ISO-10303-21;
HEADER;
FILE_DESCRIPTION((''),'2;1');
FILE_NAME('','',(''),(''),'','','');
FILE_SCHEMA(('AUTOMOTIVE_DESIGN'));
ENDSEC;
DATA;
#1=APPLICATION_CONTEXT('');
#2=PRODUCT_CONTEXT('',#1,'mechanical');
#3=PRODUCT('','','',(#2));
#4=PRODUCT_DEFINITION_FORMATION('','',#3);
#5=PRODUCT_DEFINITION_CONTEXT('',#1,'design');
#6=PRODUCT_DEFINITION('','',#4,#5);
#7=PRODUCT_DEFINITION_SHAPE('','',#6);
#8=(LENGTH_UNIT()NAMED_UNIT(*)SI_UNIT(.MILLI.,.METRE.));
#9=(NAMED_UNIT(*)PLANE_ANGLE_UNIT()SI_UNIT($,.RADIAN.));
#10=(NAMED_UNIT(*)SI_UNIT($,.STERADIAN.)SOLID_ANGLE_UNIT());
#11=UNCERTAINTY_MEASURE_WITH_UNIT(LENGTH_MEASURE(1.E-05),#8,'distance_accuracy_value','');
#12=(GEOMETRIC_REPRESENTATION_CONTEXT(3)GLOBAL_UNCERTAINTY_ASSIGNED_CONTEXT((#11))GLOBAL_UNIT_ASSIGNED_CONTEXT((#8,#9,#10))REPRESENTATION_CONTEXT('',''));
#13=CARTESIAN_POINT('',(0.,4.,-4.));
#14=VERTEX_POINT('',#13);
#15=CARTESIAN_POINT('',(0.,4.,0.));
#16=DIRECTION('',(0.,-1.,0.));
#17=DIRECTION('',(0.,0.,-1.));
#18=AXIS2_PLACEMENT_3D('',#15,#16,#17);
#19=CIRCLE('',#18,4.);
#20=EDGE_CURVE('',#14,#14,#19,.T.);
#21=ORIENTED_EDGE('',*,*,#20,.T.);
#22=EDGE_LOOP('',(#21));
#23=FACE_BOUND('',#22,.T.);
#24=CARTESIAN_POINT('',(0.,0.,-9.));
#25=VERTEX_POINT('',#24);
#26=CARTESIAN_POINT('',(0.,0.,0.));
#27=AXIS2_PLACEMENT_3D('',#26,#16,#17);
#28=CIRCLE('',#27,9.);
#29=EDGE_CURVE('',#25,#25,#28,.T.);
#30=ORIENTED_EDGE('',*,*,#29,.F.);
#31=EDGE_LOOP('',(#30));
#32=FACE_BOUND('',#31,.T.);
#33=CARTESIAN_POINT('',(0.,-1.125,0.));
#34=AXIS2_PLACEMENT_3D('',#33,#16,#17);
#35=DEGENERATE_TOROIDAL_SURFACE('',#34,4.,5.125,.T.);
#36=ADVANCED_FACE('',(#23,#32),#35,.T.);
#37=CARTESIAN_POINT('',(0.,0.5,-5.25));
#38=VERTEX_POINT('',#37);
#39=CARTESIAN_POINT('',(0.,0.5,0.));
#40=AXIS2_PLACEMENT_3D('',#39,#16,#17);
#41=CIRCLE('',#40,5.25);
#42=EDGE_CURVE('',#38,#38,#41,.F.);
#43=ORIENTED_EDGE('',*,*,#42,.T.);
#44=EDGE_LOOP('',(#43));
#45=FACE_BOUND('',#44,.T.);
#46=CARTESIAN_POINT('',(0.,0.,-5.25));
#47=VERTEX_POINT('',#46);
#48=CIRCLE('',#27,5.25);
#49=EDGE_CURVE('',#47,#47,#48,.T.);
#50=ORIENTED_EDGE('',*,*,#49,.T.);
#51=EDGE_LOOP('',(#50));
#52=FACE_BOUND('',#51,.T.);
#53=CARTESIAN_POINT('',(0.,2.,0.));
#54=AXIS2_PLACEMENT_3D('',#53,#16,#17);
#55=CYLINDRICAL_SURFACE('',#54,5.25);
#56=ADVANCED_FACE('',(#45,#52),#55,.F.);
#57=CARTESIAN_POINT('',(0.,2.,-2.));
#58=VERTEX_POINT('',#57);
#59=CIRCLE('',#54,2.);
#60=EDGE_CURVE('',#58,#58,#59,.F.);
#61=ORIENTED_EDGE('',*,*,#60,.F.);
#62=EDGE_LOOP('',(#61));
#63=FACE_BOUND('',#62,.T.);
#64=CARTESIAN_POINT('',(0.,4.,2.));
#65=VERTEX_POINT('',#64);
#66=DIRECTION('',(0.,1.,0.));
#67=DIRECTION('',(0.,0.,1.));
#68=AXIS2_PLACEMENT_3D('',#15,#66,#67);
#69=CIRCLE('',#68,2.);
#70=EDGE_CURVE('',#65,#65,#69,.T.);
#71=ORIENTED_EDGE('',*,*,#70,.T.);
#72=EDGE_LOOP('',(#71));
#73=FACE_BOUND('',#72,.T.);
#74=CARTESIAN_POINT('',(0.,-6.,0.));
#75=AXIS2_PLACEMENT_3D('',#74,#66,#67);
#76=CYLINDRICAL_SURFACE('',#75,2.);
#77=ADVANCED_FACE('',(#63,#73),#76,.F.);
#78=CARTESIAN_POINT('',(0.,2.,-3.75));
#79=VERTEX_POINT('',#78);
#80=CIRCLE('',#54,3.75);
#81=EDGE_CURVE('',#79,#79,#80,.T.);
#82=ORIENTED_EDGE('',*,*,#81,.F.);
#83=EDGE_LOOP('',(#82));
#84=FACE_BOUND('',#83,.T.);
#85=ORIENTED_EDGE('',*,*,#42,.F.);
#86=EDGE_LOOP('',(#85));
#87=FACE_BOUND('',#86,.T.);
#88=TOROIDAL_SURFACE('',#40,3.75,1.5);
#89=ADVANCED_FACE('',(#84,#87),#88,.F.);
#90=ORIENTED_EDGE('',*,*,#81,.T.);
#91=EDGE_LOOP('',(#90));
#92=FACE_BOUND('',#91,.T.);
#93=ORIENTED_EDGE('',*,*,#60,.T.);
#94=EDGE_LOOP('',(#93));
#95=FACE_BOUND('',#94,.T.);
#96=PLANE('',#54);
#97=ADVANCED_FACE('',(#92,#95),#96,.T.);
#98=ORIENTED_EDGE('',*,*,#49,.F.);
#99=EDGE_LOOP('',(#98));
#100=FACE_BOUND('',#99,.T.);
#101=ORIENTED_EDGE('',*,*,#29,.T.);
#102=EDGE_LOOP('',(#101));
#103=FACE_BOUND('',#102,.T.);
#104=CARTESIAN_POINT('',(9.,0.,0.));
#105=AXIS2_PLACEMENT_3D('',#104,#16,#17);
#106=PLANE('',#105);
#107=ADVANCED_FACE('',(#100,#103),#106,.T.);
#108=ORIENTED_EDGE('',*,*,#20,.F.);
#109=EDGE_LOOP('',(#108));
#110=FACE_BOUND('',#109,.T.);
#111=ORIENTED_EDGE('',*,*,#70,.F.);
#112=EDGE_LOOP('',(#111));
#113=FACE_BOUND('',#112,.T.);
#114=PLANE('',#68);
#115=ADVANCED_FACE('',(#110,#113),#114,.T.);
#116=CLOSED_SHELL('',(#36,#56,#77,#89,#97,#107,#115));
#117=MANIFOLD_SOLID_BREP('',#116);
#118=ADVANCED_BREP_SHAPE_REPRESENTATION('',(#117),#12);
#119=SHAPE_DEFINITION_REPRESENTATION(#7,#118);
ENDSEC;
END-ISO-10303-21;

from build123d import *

# Parameters (mm, degrees)
ESBO_O2_R             = 2
CORTE_EXTRUS_O1_DEPTH = 10
ESBO_O3_R             = 5.25
CORTE_EXTRUS_O2_DEPTH = 2
FILETE1_R             = 1.5


with BuildPart() as part:
    # Esboço1 → Revolução1 (revolve)
    with BuildSketch(Plane.XY, mode=Mode.PRIVATE) as revolu_o1_sk:
        with BuildLine():
            Line((0, 0), (0, 4))
            Line((0, 4), (4, 4))
            ThreePointArc((4, 4), (7.201562119, 2.876952648), (9, 0))
            Line((9, 0), (0, 0))
        make_face()
    revolve(revolu_o1_sk.sketch.rotate(Axis((0, 0, 0), (0, 1, 0)), 90), axis=Axis((0, 0, 0), (0, 1, 0)))

    # Esboço2 → Corte-extrusão1 (cut)
    with BuildSketch(Plane(origin=(0, 4, 0), x_dir=(1, 0, 0), z_dir=(0, 1, 0))):
        with Locations(Location((0, 0, 0), (0, 0, 270))):
            Circle(ESBO_O2_R)
    extrude(amount=-CORTE_EXTRUS_O1_DEPTH, mode=Mode.SUBTRACT)

    # Esboço3 → Corte-extrusão2 (cut)
    with BuildSketch(Plane.XZ):
        with Locations(Location((0, 0, 0), (0, 0, 270))):
            Circle(ESBO_O3_R)
    extrude(amount=-CORTE_EXTRUS_O2_DEPTH, mode=Mode.SUBTRACT)

    # Filete1
    filete1_edges = [part.edges().sort_by_distance(p)[0] for p in [
        (0, 2, 5.25),
    ]]
    fillet(filete1_edges, radius=FILETE1_R)


solid = part.part
